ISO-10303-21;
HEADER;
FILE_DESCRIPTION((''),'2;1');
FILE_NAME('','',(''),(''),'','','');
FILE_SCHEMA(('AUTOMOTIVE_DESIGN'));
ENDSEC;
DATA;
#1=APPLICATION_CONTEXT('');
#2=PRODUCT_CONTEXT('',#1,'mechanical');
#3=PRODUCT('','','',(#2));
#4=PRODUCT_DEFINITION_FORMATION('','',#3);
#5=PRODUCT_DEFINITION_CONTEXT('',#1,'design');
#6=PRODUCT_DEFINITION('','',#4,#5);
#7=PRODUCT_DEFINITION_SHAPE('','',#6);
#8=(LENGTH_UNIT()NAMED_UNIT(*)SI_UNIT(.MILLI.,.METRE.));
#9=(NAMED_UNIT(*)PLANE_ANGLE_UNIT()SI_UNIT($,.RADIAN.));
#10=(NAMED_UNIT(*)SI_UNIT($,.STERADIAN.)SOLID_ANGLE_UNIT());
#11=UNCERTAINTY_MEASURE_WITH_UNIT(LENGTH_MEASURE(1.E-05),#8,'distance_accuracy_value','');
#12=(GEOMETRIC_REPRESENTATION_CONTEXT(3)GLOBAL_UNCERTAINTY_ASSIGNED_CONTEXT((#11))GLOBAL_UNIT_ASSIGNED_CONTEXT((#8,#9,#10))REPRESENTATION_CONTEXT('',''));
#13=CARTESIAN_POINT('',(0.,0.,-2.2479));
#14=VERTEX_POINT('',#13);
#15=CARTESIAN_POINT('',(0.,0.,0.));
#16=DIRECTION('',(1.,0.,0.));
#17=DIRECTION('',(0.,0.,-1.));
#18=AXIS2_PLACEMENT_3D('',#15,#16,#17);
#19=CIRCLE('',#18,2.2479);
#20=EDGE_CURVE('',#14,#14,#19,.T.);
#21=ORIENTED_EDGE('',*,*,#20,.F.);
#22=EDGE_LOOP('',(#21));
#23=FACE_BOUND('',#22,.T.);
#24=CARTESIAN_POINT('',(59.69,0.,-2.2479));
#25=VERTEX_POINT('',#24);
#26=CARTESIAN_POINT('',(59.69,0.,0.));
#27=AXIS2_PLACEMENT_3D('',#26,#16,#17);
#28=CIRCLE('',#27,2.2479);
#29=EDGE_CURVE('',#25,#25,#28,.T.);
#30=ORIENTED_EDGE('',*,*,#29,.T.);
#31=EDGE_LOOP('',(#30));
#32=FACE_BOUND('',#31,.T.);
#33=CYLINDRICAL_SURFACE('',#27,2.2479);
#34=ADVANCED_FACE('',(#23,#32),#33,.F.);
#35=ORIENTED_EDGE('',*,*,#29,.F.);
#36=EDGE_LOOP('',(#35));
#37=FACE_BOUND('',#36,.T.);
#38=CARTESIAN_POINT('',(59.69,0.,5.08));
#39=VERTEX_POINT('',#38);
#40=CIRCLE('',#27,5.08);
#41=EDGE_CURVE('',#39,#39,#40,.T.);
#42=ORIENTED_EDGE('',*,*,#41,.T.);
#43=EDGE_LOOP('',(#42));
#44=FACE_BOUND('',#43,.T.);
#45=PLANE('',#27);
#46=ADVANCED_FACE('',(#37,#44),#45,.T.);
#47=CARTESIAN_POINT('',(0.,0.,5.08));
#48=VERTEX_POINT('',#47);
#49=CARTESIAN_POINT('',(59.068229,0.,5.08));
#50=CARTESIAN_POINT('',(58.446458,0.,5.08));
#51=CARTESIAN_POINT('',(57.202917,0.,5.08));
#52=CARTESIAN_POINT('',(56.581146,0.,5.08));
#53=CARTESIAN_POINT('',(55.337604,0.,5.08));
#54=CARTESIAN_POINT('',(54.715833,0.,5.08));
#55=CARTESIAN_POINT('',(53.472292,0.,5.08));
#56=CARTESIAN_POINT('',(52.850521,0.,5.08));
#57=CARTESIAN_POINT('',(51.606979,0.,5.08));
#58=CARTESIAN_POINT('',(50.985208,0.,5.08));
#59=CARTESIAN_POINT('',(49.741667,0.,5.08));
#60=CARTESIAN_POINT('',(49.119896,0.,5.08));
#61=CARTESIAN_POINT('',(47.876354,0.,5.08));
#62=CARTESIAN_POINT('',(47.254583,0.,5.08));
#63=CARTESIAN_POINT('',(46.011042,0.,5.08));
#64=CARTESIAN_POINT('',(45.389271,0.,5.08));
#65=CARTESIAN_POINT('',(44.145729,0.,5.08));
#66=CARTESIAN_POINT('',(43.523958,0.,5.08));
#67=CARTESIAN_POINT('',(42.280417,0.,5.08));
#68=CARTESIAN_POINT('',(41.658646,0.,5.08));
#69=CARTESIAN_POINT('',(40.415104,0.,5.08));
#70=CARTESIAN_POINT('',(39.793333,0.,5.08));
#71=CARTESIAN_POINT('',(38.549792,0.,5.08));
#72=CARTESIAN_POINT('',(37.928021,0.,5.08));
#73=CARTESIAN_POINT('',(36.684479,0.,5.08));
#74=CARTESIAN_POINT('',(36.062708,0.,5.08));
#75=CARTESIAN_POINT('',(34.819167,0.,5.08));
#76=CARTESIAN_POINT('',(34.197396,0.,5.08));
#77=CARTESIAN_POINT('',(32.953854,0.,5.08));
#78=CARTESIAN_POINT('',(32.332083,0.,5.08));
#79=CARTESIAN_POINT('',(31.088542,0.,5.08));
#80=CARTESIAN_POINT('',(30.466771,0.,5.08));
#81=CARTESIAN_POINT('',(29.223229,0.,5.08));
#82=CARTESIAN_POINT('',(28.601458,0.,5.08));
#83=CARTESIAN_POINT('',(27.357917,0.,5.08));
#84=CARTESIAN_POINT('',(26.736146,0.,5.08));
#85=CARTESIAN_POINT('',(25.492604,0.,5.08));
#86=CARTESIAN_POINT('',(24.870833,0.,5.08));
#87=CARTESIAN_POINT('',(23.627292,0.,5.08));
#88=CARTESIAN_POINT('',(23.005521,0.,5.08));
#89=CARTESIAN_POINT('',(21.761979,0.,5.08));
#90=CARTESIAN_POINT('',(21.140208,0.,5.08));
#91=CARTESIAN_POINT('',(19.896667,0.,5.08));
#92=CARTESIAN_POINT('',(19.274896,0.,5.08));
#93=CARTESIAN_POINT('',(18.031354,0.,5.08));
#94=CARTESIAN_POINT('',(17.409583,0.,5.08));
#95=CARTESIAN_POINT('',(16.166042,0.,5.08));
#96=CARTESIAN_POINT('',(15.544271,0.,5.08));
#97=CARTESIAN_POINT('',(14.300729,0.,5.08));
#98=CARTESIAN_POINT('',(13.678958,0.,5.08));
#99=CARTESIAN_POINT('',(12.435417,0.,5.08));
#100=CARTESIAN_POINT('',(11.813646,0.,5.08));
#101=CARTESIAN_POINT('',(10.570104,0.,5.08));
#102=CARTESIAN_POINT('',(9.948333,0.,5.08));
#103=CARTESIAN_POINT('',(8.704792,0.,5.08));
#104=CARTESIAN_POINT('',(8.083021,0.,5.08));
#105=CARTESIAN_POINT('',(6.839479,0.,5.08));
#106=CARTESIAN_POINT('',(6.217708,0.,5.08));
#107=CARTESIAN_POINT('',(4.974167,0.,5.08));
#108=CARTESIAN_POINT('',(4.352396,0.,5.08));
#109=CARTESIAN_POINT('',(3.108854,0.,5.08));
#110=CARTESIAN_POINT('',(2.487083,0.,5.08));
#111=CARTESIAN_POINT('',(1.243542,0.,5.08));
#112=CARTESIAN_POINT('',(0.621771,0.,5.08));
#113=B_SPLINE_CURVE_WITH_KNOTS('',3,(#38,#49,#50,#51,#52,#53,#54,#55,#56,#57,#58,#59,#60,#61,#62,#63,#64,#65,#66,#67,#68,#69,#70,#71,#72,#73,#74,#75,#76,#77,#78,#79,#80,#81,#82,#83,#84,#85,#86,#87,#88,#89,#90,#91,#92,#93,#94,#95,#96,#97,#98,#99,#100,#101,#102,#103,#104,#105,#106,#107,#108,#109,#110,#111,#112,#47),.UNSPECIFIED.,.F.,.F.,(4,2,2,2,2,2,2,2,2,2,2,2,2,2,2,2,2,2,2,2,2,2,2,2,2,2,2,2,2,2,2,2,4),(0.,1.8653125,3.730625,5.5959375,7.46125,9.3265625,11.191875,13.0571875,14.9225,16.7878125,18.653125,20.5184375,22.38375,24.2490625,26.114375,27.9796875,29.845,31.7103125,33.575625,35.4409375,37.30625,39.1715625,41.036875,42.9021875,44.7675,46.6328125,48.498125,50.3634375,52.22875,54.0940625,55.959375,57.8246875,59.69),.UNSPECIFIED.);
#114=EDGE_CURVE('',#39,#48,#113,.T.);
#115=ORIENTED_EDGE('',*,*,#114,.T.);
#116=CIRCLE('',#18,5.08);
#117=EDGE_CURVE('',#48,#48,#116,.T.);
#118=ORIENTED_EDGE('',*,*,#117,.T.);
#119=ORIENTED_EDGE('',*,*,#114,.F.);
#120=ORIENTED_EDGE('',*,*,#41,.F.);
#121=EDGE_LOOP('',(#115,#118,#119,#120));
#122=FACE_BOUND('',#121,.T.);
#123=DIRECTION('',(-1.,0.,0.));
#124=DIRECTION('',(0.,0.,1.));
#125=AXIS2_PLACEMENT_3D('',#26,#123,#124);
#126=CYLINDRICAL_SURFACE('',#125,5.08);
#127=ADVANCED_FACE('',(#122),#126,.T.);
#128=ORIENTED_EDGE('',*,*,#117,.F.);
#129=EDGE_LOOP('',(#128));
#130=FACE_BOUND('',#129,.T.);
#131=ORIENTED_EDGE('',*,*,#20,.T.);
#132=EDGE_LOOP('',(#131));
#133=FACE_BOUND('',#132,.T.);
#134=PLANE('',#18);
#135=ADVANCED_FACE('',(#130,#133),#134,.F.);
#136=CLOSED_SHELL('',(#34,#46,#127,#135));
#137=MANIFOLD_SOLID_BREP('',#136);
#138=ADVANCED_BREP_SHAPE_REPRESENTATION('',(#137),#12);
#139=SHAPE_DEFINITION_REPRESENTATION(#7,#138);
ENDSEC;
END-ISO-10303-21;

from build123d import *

# Parameters (mm, degrees)
SKETCH1_R              = 5.08
BOSS_EXTRUDE1_DEPTH    = 59.69
F_12_24_TAPPED_HOLE1_D = 4.4958


with BuildPart() as part:
    # Sketch1 → Boss-Extrude1 (new body)
    with BuildSketch(Plane(origin=(0, 0, 0), x_dir=(0, 0, -1), z_dir=(1, 0, 0))):
        with Locations(Location((0, 0, 0), (0, 0, 180))):
            Circle(SKETCH1_R)
    extrude(amount=BOSS_EXTRUDE1_DEPTH)

    # #12-24 Tapped Hole1 (through all)
    with Locations(Plane(origin=(59.69, 0, 0), x_dir=(0, 0, -1), z_dir=(1, 0, 0))):
        with Locations((0, 0)):
            Hole(F_12_24_TAPPED_HOLE1_D / 2)


solid = part.part
